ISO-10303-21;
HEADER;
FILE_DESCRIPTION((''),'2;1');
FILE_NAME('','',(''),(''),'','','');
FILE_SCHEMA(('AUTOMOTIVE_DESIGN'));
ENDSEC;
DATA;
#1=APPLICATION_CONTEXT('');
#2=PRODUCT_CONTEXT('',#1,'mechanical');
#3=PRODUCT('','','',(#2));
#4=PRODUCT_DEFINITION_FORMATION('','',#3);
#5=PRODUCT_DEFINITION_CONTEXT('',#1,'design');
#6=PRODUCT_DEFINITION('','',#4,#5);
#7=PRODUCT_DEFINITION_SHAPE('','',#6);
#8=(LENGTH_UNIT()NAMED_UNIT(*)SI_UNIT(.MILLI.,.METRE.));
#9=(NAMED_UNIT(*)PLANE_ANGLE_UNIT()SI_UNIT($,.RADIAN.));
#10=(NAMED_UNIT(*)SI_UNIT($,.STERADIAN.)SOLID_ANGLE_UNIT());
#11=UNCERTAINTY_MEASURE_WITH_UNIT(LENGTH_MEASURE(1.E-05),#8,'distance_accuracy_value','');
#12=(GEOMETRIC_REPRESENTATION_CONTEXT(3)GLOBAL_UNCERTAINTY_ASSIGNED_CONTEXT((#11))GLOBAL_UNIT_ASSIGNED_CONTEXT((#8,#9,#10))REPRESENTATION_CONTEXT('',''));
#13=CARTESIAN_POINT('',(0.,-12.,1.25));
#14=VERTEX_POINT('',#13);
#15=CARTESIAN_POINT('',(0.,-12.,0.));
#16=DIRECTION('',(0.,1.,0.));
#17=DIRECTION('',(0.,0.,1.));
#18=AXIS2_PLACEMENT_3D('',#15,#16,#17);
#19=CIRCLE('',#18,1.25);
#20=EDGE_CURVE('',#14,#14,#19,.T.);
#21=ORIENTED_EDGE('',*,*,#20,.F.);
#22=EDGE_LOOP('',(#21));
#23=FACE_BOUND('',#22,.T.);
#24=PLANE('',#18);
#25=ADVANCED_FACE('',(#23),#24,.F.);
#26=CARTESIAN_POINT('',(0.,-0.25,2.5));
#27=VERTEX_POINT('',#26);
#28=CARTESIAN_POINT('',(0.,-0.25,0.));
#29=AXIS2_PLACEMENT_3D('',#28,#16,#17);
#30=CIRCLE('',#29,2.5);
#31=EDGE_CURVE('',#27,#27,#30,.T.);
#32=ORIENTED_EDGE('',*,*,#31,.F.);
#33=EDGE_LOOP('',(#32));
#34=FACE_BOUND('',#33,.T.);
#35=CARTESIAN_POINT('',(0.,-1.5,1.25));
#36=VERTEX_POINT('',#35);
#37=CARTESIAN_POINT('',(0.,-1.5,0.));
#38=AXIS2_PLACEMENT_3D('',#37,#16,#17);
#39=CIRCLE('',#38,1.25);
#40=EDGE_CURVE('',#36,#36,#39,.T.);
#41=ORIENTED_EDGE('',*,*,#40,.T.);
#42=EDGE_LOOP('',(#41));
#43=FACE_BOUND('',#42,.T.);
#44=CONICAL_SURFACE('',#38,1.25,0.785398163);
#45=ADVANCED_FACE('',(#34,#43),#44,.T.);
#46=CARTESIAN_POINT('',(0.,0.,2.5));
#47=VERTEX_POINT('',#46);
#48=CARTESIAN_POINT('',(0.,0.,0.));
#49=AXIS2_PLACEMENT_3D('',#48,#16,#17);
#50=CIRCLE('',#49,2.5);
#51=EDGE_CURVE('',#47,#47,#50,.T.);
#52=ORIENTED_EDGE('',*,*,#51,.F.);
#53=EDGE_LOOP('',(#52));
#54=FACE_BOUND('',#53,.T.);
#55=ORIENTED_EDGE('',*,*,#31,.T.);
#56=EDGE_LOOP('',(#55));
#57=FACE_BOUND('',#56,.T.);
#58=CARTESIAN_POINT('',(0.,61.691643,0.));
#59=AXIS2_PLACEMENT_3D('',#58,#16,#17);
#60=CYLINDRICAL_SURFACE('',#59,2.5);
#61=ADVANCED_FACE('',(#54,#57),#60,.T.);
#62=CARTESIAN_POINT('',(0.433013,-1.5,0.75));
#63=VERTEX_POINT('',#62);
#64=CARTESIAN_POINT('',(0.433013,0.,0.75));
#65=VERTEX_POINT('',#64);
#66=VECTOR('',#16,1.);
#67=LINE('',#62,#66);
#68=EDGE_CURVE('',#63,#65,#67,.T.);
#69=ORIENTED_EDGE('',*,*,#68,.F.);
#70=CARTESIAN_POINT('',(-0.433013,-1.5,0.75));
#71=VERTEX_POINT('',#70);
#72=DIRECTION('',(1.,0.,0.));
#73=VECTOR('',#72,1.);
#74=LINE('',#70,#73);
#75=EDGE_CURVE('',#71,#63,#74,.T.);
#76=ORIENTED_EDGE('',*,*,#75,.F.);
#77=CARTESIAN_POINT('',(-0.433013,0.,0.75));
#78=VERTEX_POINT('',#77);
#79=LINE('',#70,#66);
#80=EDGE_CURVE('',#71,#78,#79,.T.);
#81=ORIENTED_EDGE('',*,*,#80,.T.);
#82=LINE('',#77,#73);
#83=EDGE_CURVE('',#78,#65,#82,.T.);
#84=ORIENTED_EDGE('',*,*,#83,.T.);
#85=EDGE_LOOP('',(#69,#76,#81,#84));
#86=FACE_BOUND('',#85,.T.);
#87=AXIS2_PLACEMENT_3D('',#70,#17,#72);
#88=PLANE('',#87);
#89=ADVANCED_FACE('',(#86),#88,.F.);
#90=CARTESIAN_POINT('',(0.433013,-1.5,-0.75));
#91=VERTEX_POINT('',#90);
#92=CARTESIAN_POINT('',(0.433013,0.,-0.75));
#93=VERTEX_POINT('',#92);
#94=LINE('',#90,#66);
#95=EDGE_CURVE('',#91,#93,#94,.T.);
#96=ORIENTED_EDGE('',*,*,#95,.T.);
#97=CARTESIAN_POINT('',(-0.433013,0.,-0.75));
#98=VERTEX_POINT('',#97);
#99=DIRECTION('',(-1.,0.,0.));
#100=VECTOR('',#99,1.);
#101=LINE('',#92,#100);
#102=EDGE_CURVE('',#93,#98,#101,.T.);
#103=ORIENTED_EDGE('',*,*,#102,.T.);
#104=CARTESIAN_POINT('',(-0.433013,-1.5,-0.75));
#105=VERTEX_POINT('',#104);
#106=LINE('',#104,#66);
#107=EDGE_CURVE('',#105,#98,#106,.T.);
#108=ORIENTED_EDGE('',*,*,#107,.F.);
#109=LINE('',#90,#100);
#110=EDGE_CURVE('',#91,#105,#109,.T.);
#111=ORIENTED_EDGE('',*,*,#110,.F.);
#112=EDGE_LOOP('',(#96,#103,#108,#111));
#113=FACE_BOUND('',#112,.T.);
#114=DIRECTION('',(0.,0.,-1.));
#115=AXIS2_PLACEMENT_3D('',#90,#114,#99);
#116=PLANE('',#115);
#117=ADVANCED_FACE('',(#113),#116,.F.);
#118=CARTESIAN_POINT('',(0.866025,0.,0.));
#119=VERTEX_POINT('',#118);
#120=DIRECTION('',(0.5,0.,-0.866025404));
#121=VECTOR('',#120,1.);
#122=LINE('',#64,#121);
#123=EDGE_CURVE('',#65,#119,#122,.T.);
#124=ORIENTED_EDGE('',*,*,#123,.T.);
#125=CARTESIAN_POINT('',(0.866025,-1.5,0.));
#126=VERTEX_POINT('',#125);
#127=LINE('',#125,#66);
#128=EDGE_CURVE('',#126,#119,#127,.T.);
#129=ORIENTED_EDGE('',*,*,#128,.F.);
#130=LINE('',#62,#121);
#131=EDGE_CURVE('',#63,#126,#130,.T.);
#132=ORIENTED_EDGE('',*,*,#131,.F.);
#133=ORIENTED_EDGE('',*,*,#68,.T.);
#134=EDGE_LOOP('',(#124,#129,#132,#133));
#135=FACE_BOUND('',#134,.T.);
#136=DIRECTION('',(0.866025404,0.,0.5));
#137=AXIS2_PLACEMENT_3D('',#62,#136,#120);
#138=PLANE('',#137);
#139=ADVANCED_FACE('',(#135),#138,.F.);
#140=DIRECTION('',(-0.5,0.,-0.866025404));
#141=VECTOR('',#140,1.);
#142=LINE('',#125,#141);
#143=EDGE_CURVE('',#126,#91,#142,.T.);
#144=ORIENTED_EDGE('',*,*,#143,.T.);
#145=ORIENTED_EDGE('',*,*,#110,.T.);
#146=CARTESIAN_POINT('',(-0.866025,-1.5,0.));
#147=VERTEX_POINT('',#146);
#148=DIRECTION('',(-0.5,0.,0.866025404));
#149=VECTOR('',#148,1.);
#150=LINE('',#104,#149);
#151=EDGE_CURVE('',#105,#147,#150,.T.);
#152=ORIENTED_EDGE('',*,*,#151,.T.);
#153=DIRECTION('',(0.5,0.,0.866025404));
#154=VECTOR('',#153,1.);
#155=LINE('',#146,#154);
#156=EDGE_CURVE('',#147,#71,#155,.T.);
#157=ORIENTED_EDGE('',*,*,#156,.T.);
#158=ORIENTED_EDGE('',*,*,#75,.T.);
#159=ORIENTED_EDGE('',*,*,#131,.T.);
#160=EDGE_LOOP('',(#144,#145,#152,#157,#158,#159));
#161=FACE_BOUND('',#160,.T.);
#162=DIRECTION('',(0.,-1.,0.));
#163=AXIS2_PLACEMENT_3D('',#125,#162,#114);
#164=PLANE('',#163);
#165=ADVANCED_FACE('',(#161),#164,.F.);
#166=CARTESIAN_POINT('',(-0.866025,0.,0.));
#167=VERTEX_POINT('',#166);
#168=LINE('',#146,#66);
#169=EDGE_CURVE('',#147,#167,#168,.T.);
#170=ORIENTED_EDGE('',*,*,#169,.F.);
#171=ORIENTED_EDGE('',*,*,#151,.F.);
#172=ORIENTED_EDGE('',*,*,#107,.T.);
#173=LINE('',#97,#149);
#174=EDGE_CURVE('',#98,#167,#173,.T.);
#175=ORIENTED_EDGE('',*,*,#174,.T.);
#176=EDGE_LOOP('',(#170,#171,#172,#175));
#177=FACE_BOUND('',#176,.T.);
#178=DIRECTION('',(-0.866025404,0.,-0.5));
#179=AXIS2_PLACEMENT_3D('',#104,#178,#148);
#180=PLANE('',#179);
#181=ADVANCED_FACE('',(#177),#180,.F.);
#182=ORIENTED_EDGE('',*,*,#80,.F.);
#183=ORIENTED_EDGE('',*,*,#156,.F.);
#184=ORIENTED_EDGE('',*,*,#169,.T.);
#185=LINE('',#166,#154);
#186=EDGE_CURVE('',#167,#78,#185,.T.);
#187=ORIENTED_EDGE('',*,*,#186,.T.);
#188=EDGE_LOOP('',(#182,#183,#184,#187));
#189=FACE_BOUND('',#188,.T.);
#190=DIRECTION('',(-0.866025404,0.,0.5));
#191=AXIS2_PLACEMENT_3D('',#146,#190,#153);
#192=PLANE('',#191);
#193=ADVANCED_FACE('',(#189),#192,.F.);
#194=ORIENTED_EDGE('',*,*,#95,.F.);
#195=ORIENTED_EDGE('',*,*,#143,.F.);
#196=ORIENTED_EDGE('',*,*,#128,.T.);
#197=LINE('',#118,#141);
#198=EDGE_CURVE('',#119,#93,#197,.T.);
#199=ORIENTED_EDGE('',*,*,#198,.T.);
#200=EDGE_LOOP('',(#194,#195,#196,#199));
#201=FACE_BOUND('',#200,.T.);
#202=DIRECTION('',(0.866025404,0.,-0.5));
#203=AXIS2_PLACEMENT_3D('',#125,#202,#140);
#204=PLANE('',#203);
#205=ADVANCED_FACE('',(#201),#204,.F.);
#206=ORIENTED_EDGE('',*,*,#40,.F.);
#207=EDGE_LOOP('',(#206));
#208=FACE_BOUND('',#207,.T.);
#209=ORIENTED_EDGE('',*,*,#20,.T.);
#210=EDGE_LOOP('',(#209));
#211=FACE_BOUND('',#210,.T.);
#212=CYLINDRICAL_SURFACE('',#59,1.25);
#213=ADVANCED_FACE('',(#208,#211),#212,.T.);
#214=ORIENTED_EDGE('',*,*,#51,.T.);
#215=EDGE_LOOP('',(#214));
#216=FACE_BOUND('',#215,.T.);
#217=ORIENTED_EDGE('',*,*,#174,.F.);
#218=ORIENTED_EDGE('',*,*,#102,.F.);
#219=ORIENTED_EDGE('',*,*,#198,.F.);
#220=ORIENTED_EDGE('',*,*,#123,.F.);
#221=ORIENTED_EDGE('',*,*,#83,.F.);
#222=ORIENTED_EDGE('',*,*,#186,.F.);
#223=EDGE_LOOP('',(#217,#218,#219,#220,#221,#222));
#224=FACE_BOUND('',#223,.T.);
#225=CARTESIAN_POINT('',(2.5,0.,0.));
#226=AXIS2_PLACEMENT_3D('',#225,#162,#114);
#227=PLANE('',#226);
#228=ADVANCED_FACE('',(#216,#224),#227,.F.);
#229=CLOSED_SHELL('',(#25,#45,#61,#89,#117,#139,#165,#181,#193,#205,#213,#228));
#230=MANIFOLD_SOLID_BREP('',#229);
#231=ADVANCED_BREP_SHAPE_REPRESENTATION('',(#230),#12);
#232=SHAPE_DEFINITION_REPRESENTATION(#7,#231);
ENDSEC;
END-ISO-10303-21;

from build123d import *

# Parameters (mm, degrees)
CUT_EXTRUDE1_DEPTH = 1.5


with BuildPart() as part:
    # Sketch1 → Revolve1 (revolve)
    with BuildSketch(Plane.XY, mode=Mode.PRIVATE) as revolve1_sk:
        Polygon((0, -12), (1.25, -12), (1.25, -1.5), (2.5, -0.25), (2.5, 0), (0, 0), align=None)
    revolve(revolve1_sk.sketch.rotate(Axis((0, 61.691642626, 0), (0, -1, 0)), 90), axis=Axis((0, 61.691642626, 0), (0, -1, 0)))

    # Sketch2 → Cut-Extrude1 (cut)
    with BuildSketch(Plane(origin=(0, 0, 0), x_dir=(-1, 0, 0), z_dir=(0, 1, 0))):
        Polygon((-0.433012702, -0.75), (0.433012702, -0.75), (0.866025404, 0), (0.433012702, 0.75), (-0.433012702, 0.75), (-0.866025404, 0), align=None)
    extrude(amount=-CUT_EXTRUDE1_DEPTH, mode=Mode.SUBTRACT)


solid = part.part
